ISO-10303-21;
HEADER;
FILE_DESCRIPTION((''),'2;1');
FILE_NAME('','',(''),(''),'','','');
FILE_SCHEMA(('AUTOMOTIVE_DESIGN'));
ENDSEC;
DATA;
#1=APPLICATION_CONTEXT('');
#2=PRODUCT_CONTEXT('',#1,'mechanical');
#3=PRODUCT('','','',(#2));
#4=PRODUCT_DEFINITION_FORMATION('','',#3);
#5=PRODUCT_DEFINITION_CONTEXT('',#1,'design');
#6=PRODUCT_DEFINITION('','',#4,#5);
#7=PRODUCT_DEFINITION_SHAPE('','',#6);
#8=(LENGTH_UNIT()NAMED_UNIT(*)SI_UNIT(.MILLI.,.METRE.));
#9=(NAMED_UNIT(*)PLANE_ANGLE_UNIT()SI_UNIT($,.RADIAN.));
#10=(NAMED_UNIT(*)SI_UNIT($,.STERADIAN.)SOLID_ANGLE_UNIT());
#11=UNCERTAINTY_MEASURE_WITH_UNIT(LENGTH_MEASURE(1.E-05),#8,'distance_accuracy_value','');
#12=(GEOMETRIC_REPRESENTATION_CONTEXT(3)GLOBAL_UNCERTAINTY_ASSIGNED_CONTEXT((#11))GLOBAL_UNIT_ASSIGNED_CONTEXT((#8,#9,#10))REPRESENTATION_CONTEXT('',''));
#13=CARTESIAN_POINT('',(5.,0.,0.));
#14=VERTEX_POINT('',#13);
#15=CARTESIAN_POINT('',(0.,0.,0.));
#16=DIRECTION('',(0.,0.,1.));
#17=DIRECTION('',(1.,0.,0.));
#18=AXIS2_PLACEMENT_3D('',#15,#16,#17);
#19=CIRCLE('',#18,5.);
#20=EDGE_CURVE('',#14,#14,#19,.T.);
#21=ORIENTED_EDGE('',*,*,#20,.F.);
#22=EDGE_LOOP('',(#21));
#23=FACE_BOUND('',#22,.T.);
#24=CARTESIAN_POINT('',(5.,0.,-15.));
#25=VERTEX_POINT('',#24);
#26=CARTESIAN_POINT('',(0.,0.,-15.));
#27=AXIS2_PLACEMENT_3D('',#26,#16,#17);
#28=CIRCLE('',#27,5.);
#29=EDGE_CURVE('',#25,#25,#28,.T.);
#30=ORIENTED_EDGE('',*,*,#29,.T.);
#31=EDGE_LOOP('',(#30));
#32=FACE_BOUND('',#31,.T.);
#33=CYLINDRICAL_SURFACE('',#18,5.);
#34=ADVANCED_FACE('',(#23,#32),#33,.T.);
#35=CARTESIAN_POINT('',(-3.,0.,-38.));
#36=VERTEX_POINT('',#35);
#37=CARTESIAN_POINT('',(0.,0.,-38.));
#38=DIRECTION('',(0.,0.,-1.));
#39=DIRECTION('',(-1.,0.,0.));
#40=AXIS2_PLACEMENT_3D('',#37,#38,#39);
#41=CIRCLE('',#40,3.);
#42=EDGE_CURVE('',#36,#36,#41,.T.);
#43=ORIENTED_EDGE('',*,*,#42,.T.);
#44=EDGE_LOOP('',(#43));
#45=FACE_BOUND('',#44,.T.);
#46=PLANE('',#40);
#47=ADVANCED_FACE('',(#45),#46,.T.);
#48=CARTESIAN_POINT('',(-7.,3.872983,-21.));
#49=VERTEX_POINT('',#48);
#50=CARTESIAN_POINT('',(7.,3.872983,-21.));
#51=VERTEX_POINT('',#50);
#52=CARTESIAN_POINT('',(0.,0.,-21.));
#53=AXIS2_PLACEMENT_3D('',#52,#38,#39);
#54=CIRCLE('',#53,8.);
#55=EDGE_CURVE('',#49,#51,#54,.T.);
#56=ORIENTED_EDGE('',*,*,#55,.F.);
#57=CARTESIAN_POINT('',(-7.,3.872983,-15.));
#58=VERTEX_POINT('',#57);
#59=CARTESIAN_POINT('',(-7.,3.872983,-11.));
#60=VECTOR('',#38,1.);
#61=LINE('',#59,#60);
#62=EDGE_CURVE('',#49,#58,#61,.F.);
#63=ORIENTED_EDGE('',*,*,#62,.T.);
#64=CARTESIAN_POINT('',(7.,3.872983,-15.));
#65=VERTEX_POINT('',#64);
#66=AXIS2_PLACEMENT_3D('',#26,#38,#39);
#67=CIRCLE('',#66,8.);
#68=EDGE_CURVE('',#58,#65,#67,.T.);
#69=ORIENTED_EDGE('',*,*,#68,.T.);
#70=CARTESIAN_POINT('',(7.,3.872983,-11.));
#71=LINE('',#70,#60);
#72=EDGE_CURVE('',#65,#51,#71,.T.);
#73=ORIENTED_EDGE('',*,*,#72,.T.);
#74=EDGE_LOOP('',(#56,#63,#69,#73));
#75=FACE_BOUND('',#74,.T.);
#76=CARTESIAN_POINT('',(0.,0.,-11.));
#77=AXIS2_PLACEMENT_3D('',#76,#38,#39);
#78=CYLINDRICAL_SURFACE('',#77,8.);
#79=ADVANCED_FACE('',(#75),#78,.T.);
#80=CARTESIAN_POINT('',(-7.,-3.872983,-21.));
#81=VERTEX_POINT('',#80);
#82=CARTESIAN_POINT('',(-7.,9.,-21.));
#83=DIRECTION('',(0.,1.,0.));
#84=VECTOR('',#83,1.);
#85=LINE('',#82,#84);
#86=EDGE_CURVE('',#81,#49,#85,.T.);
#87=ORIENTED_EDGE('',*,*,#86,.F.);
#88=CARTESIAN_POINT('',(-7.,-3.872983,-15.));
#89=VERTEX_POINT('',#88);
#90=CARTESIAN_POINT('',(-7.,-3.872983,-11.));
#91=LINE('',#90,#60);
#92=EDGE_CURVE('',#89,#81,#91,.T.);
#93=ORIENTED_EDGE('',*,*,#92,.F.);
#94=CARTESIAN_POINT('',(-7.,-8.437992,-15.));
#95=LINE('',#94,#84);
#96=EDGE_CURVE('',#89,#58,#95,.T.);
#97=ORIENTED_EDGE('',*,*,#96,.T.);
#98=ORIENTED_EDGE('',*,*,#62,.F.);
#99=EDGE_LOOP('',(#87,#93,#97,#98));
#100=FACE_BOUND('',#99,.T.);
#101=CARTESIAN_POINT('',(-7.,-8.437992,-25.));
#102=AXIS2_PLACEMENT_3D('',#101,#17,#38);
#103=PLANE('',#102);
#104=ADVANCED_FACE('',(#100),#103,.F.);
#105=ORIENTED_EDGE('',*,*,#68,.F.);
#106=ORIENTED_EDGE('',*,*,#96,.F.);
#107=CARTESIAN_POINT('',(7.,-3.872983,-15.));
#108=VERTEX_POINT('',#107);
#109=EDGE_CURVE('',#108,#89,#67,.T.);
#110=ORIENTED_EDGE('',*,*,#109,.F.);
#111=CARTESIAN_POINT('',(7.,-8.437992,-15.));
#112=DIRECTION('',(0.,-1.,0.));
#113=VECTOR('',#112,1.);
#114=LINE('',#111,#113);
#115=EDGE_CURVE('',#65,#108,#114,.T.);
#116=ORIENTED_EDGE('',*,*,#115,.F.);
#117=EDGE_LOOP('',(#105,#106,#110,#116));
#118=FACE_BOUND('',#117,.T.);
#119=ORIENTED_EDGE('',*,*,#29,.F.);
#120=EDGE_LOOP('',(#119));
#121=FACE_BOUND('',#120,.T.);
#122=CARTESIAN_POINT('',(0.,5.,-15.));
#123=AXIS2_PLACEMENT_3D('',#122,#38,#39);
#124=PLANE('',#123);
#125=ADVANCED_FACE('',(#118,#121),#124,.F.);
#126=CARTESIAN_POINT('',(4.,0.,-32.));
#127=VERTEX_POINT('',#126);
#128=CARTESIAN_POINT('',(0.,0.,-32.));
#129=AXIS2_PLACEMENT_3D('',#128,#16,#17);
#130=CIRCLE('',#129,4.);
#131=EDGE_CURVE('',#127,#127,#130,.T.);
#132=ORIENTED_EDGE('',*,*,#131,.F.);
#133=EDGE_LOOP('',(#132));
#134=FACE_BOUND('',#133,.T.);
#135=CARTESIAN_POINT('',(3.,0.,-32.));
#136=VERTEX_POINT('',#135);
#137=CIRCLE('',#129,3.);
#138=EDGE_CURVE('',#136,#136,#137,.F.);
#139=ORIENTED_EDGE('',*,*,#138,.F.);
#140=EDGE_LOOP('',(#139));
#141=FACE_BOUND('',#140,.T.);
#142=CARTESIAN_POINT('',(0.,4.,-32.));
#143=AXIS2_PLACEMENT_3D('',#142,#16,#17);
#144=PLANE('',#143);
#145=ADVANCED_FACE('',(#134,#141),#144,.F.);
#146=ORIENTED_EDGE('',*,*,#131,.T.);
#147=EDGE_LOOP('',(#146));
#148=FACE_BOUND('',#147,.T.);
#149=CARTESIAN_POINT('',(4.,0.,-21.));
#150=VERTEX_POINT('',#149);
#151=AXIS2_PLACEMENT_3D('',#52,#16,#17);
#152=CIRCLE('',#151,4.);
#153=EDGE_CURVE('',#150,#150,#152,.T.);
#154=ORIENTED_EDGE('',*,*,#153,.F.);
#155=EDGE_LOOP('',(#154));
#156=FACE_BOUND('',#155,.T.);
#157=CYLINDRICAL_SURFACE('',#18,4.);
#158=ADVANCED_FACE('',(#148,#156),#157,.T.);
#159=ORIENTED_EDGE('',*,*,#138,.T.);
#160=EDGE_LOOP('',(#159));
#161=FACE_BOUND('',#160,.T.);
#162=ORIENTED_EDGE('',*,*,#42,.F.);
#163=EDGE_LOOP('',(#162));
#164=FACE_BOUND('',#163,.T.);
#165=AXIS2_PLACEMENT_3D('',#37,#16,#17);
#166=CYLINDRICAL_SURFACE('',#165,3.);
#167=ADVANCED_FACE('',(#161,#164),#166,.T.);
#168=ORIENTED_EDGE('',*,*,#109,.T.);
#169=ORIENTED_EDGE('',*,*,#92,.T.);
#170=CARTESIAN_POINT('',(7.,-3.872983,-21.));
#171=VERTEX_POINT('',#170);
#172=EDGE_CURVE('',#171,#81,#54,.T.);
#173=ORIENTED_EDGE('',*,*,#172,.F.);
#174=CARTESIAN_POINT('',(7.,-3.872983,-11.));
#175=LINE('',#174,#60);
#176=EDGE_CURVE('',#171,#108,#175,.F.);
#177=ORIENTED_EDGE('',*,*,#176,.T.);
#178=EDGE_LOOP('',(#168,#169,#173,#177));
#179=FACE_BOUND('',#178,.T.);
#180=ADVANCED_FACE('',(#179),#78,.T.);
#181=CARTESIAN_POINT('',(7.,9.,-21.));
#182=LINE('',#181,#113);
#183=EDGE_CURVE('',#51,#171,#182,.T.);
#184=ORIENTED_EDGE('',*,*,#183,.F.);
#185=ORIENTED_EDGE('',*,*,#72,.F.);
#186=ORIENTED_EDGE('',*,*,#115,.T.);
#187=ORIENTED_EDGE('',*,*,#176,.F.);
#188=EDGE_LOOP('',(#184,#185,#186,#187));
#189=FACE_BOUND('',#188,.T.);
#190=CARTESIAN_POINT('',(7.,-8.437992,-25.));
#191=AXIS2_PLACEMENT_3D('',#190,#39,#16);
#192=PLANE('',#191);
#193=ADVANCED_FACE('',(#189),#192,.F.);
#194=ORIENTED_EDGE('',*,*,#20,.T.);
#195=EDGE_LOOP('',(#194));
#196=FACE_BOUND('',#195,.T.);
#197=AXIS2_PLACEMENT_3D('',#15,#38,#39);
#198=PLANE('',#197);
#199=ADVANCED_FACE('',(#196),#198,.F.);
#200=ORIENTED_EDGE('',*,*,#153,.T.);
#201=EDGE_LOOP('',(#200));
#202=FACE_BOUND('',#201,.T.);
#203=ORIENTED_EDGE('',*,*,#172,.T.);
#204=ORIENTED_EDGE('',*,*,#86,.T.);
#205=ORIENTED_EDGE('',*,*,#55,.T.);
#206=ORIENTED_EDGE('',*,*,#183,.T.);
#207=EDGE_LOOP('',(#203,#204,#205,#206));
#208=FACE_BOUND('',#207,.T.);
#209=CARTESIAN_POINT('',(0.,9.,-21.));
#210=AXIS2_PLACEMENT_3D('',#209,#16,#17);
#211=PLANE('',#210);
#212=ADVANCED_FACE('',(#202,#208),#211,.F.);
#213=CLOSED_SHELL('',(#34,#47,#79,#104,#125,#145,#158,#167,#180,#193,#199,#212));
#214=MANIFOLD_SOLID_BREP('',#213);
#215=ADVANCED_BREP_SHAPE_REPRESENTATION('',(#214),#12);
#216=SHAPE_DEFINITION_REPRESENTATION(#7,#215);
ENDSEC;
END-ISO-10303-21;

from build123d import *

# Parameters (mm, degrees)
SKETCH_3_W          = 8
SKETCH_3_H          = 16.823898374
CUT_EXTRUDE_1_DEPTH = 10
SKETCH_5_OUTSIDE_W  = 23.858
SKETCH_5_OUTSIDE_H  = 27.858
SKETCH_5_OUTSIDE_R  = 8
CUT_EXTRUDE_2_DEPTH = 10
SKETCH_6_R          = 3
EXTRUDE_1_DEPTH     = 6


with BuildPart() as part:
    # 草图2 → 旋转1 (revolve)
    with BuildSketch(Plane(origin=(0, 0, 0), x_dir=(0, 0, -1), z_dir=(1, 0, 0))):
        Polygon((0, 0), (0, 5), (15, 5), (15, 9), (21, 9), (21, 4), (32, 4), (32, 0), align=None)
    revolve(axis=Axis((0, 0, 0), (0, 0, -1)))

    # 草图3 → 切除-拉伸1 (cut)
    with BuildSketch(Plane.XY.offset(-15)):
        with Locations((-11, -0.026043186)):
            Rectangle(SKETCH_3_W, SKETCH_3_H)
        with Locations((11, -0.026043186)):
            Rectangle(SKETCH_3_W, SKETCH_3_H)
    extrude(amount=-CUT_EXTRUDE_1_DEPTH, mode=Mode.SUBTRACT)

    # 草图5 outside → 切除-拉伸2 (cut)
    with BuildSketch(Plane(origin=(0, 0, -21), x_dir=(-1, 0, 0), z_dir=(0, 0, -1))):
        Rectangle(SKETCH_5_OUTSIDE_W, SKETCH_5_OUTSIDE_H)
        Circle(SKETCH_5_OUTSIDE_R, mode=Mode.SUBTRACT)
    extrude(amount=-CUT_EXTRUDE_2_DEPTH, mode=Mode.SUBTRACT)

    # 草图6 → 凸台-拉伸1 (add)
    with BuildSketch(Plane(origin=(0, 0, -32), x_dir=(-1, 0, 0), z_dir=(0, 0, -1))):
        Circle(SKETCH_6_R)
    extrude(amount=EXTRUDE_1_DEPTH)


solid = part.part
